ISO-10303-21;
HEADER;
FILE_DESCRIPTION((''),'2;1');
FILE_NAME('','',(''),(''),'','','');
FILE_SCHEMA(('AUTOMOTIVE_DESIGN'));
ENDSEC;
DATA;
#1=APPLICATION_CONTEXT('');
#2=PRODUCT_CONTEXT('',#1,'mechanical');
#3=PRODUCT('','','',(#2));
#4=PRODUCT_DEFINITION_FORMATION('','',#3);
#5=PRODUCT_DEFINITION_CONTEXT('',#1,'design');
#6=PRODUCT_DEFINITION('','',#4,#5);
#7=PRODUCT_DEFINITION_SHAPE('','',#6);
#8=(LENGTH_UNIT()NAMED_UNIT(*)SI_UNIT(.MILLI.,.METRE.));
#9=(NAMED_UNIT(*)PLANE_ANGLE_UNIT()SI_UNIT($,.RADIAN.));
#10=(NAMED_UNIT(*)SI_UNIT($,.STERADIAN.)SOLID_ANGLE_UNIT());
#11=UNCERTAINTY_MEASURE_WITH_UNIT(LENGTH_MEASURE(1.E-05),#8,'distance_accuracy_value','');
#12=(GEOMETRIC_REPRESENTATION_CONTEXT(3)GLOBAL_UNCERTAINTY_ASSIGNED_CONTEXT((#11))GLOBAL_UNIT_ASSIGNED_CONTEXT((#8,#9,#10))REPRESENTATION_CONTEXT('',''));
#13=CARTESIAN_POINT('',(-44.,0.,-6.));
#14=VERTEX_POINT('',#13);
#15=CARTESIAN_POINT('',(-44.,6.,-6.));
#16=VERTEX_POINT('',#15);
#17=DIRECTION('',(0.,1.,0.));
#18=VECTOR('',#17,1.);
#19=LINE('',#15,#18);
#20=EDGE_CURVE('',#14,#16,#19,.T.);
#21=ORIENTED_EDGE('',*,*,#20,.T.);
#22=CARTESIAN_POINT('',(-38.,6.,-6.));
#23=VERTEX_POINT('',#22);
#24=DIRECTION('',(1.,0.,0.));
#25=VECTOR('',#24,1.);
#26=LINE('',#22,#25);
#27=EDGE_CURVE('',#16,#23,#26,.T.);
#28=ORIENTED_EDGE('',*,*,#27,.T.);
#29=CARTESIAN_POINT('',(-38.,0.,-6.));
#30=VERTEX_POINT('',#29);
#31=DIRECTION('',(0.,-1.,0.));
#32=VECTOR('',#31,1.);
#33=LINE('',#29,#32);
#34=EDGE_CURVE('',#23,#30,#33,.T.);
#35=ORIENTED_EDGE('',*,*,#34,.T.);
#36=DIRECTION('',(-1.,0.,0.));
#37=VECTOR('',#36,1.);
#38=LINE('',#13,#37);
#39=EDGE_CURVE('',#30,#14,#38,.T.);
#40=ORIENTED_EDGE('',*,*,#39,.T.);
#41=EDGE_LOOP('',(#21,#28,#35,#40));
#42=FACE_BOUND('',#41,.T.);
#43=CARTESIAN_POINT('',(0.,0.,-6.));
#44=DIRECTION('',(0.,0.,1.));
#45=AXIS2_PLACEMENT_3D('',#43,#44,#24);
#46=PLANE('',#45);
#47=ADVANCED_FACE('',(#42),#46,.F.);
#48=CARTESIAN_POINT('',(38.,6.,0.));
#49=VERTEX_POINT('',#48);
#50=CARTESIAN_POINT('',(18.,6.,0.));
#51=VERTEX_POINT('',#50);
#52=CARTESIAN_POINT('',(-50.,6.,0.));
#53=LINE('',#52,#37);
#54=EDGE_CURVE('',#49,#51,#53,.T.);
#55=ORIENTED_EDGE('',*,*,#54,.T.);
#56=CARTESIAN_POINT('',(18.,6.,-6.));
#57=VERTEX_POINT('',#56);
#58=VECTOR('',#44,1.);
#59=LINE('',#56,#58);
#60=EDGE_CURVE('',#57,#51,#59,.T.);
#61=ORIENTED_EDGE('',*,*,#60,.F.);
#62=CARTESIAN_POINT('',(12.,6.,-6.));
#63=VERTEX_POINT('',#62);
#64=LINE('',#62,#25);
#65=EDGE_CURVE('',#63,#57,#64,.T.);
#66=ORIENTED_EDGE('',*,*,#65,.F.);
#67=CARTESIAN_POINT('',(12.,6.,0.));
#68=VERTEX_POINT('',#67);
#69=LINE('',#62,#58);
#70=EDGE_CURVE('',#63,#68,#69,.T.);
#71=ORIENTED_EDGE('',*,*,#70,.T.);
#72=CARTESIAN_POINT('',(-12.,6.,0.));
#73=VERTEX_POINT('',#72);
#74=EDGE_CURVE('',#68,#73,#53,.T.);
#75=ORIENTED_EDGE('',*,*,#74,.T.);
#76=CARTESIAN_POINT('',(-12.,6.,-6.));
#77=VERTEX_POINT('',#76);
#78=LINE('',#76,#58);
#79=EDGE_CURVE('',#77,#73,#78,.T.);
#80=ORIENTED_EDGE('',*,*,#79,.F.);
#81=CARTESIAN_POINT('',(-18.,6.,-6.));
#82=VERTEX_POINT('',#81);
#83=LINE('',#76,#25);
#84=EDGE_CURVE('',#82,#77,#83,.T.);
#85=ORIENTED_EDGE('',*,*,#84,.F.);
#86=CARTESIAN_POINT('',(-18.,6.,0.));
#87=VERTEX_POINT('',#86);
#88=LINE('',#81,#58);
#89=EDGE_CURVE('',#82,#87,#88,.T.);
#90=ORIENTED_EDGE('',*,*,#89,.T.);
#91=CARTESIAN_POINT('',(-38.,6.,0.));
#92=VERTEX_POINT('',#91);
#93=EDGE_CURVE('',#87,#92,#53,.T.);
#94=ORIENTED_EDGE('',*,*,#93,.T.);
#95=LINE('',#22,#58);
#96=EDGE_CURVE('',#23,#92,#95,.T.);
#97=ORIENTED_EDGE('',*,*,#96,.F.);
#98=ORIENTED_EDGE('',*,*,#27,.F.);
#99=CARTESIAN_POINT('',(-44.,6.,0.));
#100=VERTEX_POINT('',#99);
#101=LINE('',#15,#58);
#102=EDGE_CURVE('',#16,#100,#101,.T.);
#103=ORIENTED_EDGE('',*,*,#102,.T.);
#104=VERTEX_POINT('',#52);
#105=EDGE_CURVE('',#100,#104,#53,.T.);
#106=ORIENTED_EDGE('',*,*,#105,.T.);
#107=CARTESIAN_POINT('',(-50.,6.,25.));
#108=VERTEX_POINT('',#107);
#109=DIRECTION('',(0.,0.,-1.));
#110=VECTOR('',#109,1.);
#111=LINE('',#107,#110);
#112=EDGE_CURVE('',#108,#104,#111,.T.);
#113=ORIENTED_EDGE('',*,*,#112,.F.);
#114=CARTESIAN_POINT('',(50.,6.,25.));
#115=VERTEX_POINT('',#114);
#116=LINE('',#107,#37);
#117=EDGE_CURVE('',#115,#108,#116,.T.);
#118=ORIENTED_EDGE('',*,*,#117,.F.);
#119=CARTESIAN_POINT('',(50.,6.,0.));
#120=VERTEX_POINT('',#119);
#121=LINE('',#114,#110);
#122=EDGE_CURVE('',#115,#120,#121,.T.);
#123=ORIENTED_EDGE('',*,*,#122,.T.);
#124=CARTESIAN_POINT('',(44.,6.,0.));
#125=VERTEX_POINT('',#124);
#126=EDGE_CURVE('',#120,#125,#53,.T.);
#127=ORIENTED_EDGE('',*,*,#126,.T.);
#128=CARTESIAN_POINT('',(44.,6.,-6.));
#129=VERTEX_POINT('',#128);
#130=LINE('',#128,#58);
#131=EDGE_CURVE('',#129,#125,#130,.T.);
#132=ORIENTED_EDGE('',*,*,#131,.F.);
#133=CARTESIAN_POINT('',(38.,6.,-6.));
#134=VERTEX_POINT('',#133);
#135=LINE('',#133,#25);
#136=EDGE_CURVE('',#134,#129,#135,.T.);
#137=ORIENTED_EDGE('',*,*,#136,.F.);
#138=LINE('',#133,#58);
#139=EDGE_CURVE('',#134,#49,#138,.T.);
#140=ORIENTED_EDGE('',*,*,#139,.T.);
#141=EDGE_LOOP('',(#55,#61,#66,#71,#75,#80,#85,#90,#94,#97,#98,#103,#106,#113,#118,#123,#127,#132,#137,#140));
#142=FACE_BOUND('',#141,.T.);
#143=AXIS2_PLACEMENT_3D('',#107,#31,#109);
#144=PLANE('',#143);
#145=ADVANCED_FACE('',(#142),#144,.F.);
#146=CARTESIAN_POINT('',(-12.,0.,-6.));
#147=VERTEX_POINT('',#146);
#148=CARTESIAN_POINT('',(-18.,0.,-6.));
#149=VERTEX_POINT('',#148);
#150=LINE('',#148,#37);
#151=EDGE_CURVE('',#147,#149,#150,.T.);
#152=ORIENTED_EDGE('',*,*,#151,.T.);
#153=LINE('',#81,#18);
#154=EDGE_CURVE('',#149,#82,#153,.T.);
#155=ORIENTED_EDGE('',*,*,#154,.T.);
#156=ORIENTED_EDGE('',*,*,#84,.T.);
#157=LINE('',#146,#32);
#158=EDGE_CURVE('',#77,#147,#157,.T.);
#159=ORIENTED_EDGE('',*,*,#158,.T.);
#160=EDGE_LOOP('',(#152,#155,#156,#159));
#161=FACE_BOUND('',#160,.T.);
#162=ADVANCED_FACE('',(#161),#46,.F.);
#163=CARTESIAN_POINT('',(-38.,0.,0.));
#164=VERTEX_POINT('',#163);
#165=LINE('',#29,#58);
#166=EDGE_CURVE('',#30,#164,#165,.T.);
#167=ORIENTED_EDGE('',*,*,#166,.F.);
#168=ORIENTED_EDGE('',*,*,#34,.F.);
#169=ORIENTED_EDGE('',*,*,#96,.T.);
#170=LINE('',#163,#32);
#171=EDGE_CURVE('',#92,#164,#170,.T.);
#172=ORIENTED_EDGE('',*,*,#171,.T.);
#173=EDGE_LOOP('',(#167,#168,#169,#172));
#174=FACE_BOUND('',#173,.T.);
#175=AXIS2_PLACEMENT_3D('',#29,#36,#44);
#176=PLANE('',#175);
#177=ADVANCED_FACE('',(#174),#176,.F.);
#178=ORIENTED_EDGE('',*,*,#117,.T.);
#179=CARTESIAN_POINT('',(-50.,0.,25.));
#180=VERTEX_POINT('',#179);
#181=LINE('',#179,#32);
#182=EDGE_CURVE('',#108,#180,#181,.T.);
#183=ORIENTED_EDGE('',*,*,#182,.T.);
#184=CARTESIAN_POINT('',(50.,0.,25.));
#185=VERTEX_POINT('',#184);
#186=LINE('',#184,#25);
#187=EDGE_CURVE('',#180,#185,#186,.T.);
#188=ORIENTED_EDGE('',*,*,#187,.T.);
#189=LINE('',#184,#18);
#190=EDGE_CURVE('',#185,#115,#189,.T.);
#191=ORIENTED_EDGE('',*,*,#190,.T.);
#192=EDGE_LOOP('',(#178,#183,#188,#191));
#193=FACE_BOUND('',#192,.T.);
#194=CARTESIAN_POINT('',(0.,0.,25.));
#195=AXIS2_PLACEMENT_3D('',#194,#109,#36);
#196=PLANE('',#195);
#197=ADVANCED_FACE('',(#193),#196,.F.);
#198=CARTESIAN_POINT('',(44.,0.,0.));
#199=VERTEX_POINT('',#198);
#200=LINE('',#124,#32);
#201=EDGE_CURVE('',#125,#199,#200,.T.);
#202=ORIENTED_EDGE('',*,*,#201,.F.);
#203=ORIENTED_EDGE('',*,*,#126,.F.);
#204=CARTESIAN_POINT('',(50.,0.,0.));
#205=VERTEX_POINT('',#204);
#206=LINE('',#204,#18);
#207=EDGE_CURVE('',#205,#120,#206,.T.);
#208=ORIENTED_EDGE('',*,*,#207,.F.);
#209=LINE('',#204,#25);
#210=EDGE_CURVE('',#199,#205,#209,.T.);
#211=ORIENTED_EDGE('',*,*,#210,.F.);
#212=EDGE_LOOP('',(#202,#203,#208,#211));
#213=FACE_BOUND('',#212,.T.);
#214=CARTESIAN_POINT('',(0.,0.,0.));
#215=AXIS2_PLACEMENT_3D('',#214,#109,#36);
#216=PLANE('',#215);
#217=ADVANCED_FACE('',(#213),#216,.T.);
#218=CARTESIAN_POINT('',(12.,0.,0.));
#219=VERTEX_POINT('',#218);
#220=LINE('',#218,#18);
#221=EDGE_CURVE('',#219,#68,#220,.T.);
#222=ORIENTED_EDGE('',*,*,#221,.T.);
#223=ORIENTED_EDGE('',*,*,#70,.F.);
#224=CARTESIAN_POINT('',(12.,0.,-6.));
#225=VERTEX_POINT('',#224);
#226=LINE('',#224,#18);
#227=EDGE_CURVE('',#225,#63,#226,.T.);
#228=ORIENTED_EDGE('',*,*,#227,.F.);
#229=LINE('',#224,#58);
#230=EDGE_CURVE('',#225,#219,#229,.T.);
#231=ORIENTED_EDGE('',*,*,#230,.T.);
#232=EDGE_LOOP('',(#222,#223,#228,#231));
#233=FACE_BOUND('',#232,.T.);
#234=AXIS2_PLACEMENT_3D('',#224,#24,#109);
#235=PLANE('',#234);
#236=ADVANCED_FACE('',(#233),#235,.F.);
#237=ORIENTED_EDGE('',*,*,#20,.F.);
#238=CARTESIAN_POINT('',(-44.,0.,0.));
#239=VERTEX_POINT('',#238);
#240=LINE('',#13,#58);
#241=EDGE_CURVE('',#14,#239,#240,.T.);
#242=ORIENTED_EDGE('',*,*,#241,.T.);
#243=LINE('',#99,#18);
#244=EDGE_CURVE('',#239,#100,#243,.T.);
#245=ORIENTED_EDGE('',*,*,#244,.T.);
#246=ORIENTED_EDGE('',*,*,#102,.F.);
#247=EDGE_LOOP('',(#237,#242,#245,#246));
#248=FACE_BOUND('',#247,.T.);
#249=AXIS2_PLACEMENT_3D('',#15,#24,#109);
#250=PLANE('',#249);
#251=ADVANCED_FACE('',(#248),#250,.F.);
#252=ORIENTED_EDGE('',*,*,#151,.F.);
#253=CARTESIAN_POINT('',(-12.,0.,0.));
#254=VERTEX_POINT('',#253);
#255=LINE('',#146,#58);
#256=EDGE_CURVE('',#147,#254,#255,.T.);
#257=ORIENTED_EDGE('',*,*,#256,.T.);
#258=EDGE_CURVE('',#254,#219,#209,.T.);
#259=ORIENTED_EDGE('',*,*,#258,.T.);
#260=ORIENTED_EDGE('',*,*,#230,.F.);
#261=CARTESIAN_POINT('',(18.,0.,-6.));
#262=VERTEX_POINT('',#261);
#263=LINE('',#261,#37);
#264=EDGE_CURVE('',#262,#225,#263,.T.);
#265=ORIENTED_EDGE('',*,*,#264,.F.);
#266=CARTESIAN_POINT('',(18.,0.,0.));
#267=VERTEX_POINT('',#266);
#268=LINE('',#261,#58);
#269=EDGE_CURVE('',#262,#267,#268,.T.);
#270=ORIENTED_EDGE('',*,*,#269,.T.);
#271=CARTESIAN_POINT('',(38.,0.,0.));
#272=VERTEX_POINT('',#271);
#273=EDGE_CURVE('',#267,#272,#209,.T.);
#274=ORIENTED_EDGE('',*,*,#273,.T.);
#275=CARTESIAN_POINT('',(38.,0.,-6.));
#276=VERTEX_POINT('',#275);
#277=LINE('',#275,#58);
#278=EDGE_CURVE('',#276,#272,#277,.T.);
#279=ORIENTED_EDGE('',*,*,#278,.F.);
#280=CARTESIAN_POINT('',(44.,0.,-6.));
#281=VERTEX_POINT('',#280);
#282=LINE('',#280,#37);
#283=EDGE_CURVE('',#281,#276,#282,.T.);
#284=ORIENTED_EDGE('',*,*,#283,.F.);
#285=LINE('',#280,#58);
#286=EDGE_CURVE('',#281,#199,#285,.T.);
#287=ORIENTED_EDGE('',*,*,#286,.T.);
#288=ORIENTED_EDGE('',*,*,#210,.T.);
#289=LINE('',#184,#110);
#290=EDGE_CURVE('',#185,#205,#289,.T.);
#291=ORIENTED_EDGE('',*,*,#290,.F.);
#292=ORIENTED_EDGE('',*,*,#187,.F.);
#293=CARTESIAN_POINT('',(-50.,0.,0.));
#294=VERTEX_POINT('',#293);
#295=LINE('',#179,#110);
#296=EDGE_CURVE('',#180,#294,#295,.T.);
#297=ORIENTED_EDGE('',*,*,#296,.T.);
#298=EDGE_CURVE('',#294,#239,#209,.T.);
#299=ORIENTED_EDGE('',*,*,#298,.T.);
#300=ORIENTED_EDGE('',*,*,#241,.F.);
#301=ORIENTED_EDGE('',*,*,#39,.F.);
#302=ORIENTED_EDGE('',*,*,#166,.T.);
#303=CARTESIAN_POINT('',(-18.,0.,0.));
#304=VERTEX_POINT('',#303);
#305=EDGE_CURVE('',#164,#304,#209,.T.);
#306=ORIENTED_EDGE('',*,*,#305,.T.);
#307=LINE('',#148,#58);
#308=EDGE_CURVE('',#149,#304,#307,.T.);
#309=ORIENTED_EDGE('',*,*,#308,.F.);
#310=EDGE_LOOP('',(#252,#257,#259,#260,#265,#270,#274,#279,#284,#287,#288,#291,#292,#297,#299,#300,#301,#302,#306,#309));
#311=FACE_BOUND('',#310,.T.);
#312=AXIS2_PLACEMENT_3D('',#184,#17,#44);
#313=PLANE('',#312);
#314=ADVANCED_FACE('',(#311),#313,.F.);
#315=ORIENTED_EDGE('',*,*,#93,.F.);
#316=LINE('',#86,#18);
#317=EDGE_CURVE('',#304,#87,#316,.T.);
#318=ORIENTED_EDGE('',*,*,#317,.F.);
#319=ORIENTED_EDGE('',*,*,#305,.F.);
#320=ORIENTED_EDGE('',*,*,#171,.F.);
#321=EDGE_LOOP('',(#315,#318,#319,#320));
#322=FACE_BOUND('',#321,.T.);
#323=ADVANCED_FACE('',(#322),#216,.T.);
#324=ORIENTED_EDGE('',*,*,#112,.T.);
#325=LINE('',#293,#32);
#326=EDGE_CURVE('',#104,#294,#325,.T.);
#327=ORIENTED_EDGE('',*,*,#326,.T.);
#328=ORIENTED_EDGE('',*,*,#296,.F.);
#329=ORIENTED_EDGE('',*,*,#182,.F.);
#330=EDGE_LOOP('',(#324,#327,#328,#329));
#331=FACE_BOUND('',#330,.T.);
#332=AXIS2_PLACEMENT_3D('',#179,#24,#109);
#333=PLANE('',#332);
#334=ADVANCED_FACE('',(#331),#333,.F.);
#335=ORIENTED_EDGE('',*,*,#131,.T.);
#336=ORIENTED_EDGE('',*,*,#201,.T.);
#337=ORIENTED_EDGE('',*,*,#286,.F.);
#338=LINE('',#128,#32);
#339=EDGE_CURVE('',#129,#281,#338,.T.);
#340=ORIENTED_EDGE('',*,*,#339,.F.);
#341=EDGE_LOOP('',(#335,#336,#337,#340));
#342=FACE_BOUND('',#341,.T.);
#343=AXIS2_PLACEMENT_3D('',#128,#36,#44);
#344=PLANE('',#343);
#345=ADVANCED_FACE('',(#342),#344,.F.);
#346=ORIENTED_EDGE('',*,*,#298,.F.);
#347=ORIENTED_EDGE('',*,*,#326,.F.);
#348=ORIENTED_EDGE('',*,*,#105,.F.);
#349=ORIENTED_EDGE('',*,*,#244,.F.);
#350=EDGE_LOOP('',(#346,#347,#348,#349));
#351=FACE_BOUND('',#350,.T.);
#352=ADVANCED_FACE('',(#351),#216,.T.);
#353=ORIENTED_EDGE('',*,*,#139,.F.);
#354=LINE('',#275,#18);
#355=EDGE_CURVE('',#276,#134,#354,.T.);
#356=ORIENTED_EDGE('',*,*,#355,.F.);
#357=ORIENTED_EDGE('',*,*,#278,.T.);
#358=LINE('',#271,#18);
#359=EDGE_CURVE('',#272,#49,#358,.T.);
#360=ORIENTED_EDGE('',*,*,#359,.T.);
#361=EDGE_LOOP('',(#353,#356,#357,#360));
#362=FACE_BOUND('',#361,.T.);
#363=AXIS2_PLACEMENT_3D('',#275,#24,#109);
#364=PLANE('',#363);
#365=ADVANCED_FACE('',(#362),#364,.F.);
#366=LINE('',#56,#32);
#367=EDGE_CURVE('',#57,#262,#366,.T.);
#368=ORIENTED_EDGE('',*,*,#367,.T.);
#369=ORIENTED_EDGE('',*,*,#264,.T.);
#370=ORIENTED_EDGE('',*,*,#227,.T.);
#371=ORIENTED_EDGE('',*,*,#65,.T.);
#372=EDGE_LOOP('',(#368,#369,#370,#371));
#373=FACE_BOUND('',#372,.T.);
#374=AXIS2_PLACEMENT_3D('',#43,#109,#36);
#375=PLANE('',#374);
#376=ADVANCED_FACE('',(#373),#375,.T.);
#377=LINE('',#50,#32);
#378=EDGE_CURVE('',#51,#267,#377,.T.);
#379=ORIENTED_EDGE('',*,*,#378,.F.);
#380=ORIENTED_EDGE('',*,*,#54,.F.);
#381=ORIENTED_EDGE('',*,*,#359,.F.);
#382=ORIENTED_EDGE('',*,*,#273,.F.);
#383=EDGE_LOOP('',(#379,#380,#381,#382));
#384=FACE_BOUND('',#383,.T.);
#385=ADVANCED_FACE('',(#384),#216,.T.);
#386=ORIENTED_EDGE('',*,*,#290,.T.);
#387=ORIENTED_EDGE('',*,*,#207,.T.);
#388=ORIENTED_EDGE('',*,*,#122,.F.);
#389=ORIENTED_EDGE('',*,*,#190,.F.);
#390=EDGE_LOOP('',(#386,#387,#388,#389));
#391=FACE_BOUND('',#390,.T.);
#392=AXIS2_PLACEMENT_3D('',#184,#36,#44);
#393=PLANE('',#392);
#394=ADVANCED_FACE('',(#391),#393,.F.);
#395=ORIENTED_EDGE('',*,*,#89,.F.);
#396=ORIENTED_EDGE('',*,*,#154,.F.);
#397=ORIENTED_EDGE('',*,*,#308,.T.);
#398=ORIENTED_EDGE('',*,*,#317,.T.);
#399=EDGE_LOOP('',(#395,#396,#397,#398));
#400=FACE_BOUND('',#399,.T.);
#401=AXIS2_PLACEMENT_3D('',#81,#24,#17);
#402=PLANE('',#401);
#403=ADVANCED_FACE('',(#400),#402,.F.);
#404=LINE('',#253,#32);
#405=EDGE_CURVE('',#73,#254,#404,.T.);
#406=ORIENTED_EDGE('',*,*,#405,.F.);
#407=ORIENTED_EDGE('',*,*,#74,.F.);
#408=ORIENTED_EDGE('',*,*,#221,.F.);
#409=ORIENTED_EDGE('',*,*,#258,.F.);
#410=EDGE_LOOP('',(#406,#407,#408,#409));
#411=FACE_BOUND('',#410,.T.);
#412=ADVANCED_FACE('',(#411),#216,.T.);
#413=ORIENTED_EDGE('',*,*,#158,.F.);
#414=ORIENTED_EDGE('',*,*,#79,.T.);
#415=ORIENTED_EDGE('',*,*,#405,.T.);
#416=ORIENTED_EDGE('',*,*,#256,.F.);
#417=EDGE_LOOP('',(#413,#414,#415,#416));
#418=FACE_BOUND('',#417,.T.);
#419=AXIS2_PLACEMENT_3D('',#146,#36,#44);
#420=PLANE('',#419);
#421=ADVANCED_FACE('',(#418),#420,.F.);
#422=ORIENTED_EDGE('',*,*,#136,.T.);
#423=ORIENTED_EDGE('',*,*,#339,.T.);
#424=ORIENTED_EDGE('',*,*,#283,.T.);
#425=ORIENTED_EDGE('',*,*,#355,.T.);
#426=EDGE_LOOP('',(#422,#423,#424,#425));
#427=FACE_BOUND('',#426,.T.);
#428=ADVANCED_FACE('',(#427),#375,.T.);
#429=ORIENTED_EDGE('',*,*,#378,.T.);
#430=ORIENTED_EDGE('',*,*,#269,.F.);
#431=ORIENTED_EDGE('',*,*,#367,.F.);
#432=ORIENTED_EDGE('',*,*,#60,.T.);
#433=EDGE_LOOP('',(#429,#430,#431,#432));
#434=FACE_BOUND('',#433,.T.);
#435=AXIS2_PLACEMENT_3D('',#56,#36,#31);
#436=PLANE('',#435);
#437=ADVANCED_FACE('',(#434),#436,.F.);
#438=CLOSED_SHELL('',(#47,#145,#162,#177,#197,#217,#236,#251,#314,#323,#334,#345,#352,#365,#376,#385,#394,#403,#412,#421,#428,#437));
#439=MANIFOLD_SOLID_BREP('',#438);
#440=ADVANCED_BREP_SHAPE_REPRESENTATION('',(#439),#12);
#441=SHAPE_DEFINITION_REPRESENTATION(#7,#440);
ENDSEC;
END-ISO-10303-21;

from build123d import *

# Parameters (mm, degrees)
SKETCH1_W           = 100
SKETCH1_H           = 6
BOSS_EXTRUDE1_DEPTH = 25
SKETCH4_W           = 6
SKETCH4_H           = 6
BOSS_EXTRUDE4_DEPTH = 6


with BuildPart() as part:
    # Sketch1 → Boss-Extrude1 (new body)
    with BuildSketch(Plane.XY):
        with Locations((0, 3)):
            Rectangle(SKETCH1_W, SKETCH1_H)
    extrude(amount=BOSS_EXTRUDE1_DEPTH)

    # Sketch4 → Boss-Extrude4 (add)
    with BuildSketch(Plane(origin=(0, 0, 0), x_dir=(-1, 0, 0), z_dir=(0, 0, -1))):
        with Locations((-41, 3)):
            Rectangle(SKETCH4_W, SKETCH4_H)
        with Locations((-15, 3)):
            Rectangle(SKETCH4_W, SKETCH4_H)
        with Locations((15, 3)):
            Rectangle(SKETCH4_W, SKETCH4_H)
        with Locations((41, 3)):
            Rectangle(SKETCH4_W, SKETCH4_H)
    extrude(amount=BOSS_EXTRUDE4_DEPTH)


solid = part.part
